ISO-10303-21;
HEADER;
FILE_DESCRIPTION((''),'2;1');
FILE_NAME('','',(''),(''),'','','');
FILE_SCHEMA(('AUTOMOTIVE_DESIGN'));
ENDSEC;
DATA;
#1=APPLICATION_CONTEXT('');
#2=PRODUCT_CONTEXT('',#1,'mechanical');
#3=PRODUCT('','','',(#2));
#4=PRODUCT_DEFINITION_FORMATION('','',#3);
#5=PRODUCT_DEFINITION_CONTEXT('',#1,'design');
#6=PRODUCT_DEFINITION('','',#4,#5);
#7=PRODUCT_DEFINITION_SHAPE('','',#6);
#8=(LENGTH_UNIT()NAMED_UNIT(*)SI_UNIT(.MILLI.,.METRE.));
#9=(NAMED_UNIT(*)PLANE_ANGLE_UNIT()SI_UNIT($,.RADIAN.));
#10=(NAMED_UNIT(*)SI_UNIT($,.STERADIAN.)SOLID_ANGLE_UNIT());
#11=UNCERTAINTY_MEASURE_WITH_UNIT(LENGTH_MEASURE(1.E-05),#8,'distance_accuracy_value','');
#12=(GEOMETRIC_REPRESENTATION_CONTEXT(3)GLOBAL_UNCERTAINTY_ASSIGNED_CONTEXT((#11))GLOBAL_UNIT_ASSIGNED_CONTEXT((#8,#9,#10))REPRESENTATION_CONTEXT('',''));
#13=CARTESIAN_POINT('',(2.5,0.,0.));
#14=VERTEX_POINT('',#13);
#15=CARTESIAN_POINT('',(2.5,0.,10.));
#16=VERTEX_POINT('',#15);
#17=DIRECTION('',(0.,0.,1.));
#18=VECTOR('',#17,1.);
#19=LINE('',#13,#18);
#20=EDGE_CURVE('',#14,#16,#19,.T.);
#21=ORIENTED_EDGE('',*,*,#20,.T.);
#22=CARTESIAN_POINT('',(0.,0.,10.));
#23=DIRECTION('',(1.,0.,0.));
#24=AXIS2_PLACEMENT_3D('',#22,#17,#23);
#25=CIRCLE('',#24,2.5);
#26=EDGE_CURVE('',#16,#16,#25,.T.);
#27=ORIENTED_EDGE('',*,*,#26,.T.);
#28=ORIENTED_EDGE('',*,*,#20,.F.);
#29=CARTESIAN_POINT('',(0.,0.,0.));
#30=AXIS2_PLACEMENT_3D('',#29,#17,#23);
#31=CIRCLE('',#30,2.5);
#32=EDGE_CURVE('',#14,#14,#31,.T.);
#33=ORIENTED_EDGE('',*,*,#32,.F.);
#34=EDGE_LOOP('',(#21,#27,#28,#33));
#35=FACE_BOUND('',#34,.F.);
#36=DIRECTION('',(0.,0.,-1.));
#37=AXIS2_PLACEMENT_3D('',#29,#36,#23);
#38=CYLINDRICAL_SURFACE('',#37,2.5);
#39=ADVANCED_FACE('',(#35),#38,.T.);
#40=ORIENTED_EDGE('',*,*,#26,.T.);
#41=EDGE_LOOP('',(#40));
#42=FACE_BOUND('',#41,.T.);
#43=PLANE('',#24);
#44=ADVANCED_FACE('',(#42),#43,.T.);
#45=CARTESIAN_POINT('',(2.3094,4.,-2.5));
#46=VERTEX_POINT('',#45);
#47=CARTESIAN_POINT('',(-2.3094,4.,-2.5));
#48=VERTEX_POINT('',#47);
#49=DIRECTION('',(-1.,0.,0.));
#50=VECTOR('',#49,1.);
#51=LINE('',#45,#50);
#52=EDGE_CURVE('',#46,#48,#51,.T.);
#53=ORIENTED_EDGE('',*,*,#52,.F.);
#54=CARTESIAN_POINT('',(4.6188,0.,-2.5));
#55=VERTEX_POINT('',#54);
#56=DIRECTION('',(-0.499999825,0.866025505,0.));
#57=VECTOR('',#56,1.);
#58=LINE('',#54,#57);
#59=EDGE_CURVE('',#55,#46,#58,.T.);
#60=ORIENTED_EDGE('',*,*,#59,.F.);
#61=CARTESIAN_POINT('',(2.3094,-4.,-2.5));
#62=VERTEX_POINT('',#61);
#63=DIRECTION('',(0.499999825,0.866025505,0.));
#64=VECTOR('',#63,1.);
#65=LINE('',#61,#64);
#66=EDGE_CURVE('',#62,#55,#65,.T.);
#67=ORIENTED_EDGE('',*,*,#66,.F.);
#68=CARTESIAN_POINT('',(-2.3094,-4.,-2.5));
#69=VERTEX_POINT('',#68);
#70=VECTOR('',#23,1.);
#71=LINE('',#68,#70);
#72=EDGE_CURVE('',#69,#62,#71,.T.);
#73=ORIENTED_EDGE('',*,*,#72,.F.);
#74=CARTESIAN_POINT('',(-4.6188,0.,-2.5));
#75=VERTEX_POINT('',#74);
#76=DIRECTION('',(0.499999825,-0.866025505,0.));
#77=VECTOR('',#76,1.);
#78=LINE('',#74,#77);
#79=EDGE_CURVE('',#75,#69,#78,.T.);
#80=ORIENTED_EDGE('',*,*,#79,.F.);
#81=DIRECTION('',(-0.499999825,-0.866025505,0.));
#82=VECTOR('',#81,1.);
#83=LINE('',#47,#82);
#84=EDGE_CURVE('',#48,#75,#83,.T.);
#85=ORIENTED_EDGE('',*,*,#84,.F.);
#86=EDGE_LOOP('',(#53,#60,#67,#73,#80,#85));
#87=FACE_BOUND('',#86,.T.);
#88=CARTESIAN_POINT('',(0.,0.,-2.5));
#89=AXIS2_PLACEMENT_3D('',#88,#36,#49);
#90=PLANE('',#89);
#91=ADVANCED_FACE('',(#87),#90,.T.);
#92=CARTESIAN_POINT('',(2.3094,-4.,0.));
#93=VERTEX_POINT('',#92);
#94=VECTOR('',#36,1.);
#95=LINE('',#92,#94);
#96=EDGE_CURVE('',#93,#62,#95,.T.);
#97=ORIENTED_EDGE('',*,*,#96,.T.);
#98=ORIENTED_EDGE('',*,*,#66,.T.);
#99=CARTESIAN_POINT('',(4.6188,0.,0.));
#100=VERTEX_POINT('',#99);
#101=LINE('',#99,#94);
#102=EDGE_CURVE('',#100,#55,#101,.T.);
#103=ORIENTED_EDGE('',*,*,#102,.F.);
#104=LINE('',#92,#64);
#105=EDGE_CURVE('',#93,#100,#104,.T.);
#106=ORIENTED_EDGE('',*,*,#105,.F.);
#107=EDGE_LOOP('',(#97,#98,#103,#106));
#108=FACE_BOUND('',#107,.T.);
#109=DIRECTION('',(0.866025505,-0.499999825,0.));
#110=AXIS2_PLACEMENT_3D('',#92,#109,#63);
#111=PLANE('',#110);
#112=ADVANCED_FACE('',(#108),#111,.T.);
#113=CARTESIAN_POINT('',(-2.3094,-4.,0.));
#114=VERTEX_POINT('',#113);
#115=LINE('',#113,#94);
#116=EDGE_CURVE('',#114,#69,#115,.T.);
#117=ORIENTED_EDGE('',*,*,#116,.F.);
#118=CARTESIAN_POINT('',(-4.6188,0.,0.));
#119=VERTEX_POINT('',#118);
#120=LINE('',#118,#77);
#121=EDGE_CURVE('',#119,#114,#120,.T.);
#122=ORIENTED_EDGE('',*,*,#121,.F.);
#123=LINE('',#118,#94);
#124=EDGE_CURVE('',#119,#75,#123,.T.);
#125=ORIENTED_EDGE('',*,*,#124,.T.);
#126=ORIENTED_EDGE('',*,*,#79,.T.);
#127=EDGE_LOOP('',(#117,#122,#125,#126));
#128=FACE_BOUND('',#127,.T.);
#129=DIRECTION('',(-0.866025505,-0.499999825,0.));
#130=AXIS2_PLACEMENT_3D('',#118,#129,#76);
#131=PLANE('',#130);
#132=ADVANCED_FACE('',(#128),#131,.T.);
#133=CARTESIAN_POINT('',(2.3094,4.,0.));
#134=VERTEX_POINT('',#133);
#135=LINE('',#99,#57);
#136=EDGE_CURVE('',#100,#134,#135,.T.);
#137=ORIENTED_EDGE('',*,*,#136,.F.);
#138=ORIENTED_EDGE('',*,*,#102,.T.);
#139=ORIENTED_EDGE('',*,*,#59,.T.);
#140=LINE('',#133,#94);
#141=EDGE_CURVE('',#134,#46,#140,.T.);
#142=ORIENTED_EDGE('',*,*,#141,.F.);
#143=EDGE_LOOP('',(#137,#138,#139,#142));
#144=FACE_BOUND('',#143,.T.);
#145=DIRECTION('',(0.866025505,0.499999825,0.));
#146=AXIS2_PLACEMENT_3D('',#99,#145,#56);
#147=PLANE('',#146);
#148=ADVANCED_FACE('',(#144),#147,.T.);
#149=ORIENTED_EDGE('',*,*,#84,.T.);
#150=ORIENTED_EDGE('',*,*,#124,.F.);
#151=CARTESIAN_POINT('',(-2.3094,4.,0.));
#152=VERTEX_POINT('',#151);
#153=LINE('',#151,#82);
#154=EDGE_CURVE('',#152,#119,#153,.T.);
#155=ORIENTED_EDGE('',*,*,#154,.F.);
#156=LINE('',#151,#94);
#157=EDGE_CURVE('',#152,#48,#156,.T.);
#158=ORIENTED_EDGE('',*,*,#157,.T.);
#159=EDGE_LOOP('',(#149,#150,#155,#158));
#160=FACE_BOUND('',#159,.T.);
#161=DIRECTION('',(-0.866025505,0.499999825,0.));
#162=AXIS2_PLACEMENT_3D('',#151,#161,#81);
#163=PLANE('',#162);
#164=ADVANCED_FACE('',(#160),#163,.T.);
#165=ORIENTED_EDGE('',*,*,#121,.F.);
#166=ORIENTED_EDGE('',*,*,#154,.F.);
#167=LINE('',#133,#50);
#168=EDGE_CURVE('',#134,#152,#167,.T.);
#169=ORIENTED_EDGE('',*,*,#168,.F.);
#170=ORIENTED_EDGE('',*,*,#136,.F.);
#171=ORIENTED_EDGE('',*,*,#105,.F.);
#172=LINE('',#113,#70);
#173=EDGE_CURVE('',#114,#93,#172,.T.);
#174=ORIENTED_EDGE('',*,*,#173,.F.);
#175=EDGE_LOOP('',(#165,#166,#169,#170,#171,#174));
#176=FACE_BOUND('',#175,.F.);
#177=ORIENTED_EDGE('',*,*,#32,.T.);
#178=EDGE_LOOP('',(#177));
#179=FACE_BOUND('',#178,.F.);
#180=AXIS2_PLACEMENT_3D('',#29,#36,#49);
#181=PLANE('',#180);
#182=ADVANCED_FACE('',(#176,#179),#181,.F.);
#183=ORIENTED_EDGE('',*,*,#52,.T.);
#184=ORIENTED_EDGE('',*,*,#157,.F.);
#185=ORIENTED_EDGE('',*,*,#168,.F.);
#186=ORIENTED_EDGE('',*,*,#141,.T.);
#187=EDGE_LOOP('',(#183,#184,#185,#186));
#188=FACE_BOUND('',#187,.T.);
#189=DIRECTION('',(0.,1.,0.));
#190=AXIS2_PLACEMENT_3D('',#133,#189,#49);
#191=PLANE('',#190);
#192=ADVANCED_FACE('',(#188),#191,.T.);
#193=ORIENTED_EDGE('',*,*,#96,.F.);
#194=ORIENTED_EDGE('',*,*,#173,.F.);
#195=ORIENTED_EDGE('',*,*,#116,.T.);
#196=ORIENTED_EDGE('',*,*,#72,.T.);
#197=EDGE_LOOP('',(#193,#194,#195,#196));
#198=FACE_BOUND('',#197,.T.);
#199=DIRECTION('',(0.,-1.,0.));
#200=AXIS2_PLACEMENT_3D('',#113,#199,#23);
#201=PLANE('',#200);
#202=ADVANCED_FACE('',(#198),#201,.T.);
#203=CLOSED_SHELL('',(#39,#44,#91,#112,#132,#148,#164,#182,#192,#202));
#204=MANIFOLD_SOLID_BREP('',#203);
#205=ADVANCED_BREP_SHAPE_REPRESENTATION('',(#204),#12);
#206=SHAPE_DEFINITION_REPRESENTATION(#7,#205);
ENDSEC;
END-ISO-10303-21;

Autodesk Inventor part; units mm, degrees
ref_plane "YZ Plane" through (0, 0, 0) normal (1, 0, 0) x (0, 1, 0)
ref_plane "XZ Plane" through (0, 0, 0) normal (0, 1, 0) x (-1, 0, 0)
ref_plane "XY Plane" through (0, 0, 0) normal (0, 0, 1) x (1, 0, 0)
sketch "スケッチ1" plane through (0, 0, 0) normal (0, 0, 1) x (1, 0, 0)
  circle A0 centre (0, 0) radius 2.5
  dimension "d0" = 5
extrude "押し出し1" add sketch "スケッチ1" along normal blind 10
sketch "スケッチ2" plane through (0, 0, 0) normal (0, 0, -1) x (-1, 0, 0)
  line L0 (4.6188, 0) -> (2.3094, -4)
  line L1 (2.3094, -4) -> (-2.3094, -4)
  line L2 (-2.3094, -4) -> (-4.6188, 0)
  line L3 (-4.6188, 0) -> (-2.3094, 4)
  line L4 (-2.3094, 4) -> (2.3094, 4)
  line L5 (2.3094, 4) -> (4.6188, 0)
  point P0 (0, 0)
  point P1 (0, 0)
  dimension "d3" = 8
extrude "押し出し2" add sketch "スケッチ2" along normal blind 2.5
thread "ねじ1" size "M5x0.8" class "6g" standard "ANSI Metric M Profile" full length
properties part number "ネジ六角ボルトm5,10" material "鋼、高強度、低合金"
